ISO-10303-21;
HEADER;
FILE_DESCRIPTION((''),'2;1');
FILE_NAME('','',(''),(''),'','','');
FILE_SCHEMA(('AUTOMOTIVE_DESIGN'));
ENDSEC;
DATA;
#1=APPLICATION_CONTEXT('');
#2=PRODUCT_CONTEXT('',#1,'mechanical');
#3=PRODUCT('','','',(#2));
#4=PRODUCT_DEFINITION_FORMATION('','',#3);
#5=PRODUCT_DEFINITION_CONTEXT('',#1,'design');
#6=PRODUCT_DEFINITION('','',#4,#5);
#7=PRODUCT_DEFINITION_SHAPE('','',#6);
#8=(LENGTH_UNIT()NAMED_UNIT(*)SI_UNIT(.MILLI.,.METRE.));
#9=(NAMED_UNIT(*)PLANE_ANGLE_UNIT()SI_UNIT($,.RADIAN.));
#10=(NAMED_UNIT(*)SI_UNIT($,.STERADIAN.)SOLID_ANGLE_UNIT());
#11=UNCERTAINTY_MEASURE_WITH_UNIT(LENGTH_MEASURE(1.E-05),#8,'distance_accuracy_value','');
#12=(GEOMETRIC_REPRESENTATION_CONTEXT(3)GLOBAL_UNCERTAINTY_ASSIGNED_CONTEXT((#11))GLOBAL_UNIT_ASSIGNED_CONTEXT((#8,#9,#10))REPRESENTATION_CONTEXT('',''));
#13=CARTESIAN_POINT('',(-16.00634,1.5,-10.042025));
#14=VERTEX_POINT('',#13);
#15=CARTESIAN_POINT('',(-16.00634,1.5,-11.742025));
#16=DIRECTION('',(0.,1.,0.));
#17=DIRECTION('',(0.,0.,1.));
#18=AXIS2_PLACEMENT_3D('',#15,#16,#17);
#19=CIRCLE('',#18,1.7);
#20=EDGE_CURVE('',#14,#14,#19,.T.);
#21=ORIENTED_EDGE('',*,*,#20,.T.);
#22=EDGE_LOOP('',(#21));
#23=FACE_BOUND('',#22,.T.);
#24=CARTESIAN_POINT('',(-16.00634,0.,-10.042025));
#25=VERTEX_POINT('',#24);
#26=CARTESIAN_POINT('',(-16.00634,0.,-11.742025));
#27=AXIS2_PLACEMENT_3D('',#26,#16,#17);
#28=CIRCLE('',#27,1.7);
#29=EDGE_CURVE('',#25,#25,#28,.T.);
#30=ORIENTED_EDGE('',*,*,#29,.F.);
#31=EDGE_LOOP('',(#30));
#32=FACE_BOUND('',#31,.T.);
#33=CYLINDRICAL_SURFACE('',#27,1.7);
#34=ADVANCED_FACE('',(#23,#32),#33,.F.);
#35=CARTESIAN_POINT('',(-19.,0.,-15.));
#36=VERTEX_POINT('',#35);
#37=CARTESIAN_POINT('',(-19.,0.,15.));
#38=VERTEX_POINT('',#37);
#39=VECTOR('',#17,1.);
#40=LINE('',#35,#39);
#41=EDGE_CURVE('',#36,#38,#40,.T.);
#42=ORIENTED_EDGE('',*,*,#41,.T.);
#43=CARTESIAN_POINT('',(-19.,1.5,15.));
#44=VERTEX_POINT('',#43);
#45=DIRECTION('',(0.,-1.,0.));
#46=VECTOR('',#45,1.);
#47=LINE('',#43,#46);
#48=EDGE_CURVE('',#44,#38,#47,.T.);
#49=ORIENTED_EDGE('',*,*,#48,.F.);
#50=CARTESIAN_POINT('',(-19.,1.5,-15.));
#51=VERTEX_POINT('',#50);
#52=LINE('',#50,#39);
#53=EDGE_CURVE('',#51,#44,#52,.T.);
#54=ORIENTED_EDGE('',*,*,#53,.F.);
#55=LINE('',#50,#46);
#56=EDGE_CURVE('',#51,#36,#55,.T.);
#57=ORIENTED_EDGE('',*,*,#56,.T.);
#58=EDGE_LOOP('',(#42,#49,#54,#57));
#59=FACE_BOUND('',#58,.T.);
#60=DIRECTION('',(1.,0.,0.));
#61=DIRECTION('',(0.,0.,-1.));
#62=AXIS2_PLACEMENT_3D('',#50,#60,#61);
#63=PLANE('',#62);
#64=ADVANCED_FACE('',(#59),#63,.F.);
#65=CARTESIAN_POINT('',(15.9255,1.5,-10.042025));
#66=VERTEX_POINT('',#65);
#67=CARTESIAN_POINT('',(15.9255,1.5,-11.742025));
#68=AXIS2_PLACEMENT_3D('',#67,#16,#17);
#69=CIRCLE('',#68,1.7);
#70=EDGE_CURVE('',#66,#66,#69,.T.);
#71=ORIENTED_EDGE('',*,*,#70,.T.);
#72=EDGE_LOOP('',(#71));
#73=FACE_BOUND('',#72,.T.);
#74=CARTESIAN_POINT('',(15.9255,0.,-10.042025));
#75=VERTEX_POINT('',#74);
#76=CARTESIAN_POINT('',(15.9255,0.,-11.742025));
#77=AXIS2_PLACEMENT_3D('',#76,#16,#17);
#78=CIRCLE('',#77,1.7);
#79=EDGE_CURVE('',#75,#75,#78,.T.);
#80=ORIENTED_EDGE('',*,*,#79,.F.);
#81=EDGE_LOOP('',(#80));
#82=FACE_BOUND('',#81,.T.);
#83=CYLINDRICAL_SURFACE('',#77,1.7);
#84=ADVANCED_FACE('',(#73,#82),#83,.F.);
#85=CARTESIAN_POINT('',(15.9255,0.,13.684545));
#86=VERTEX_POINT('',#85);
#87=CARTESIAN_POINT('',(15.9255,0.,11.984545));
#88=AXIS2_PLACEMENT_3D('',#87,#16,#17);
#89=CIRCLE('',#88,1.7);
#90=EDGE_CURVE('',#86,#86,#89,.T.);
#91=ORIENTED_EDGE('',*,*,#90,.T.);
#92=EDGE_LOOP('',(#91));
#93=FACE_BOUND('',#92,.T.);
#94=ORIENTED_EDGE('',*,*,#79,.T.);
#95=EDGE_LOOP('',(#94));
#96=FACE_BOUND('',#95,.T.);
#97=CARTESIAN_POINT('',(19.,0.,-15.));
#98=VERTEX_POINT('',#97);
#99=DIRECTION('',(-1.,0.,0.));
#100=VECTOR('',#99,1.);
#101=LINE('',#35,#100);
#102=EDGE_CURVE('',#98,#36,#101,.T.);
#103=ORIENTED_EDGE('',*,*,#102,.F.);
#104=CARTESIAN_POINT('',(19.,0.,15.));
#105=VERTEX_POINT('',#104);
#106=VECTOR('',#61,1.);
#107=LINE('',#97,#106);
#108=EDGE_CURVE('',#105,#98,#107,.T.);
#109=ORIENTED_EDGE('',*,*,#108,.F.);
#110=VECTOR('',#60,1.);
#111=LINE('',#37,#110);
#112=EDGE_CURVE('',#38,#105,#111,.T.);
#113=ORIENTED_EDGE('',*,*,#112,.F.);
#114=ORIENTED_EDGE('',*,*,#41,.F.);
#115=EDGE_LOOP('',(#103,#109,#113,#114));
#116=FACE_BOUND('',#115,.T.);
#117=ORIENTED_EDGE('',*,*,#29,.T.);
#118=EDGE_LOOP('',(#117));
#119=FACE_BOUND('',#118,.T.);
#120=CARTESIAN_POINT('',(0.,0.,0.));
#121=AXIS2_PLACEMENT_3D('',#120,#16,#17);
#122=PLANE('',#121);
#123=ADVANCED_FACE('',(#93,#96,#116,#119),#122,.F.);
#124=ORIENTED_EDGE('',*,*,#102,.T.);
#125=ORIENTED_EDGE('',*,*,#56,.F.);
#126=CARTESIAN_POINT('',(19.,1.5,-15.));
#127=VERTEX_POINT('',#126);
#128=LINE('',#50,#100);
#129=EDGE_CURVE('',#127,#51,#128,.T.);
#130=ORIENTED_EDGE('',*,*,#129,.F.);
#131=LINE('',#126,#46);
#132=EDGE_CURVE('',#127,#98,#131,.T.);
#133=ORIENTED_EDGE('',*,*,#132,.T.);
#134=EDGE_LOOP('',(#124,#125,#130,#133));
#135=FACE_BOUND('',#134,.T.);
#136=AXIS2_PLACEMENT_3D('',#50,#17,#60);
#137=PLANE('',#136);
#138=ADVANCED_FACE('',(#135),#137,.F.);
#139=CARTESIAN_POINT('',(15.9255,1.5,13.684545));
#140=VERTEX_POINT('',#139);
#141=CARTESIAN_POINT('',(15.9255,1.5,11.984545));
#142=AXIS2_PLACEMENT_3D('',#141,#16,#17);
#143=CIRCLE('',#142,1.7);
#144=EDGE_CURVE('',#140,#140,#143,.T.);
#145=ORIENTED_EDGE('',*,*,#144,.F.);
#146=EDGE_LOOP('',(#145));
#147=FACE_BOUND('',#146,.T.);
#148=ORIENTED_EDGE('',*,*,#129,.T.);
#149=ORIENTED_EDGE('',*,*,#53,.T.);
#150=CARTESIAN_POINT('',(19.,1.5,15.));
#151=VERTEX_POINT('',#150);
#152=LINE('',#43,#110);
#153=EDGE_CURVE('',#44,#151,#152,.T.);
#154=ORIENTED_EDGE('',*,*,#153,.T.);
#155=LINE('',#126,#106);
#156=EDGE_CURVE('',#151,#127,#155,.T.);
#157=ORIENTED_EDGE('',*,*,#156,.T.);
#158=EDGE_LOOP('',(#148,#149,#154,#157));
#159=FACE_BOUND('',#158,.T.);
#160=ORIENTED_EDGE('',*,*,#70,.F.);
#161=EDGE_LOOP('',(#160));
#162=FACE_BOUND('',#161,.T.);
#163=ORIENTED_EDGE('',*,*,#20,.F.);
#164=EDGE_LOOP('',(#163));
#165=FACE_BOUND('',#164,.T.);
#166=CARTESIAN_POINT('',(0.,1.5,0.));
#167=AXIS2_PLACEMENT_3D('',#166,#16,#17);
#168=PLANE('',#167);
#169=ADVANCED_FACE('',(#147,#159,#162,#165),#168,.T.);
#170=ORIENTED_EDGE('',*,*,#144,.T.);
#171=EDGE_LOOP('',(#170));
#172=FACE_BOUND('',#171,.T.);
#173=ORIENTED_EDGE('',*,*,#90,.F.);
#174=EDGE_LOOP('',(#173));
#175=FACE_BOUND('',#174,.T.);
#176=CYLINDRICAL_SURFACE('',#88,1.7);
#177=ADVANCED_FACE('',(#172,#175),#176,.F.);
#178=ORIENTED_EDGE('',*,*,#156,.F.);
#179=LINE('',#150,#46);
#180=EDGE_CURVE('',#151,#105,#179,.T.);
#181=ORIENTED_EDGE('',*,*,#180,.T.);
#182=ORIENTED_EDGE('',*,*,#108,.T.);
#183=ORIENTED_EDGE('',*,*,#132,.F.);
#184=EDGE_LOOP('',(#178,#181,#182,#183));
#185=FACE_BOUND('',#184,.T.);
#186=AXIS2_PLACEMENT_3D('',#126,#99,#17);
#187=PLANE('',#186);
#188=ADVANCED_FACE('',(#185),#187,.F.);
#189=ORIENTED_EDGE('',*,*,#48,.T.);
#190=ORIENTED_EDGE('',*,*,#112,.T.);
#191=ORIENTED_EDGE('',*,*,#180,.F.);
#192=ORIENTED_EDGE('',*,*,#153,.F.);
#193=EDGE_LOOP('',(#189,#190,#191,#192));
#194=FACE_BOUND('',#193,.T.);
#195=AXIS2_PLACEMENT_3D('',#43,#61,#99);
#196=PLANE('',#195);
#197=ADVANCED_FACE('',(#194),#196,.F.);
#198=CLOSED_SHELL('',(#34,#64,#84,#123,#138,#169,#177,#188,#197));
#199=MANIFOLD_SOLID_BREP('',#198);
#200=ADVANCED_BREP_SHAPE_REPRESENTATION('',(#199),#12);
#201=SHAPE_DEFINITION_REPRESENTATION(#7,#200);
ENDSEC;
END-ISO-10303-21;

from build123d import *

# Parameters (mm, degrees)
SKETCH1_W           = 38
SKETCH1_H           = 30
BOSS_EXTRUDE1_DEPTH = 1.5
SKETCH2_R           = 1.7
CUT_EXTRUDE1_DEPTH  = 25.253865671


with BuildPart() as part:
    # Sketch1 → Boss-Extrude1 (new body)
    with BuildSketch(Plane(origin=(0, 0, 0), x_dir=(1, 0, 0), z_dir=(0, 1, 0))):
        Rectangle(SKETCH1_W, SKETCH1_H)
    extrude(amount=BOSS_EXTRUDE1_DEPTH)

    # Sketch2 → Cut-Extrude1 (cut, through all)
    with BuildSketch(Plane(origin=(0, 1.5, 0), x_dir=(1, 0, 0), z_dir=(0, 1, 0))):
        with Locations(Location((-16.006340174, 11.742024799, 0), (0, 0, 270))):
            Circle(SKETCH2_R)
        with Locations(Location((15.925500072, 11.742024799, 0), (0, 0, 270))):
            Circle(SKETCH2_R)
        with Locations(Location((15.925500072, -11.984545105, 0), (0, 0, 270))):
            Circle(SKETCH2_R)
    extrude(amount=-CUT_EXTRUDE1_DEPTH, mode=Mode.SUBTRACT)


solid = part.part
